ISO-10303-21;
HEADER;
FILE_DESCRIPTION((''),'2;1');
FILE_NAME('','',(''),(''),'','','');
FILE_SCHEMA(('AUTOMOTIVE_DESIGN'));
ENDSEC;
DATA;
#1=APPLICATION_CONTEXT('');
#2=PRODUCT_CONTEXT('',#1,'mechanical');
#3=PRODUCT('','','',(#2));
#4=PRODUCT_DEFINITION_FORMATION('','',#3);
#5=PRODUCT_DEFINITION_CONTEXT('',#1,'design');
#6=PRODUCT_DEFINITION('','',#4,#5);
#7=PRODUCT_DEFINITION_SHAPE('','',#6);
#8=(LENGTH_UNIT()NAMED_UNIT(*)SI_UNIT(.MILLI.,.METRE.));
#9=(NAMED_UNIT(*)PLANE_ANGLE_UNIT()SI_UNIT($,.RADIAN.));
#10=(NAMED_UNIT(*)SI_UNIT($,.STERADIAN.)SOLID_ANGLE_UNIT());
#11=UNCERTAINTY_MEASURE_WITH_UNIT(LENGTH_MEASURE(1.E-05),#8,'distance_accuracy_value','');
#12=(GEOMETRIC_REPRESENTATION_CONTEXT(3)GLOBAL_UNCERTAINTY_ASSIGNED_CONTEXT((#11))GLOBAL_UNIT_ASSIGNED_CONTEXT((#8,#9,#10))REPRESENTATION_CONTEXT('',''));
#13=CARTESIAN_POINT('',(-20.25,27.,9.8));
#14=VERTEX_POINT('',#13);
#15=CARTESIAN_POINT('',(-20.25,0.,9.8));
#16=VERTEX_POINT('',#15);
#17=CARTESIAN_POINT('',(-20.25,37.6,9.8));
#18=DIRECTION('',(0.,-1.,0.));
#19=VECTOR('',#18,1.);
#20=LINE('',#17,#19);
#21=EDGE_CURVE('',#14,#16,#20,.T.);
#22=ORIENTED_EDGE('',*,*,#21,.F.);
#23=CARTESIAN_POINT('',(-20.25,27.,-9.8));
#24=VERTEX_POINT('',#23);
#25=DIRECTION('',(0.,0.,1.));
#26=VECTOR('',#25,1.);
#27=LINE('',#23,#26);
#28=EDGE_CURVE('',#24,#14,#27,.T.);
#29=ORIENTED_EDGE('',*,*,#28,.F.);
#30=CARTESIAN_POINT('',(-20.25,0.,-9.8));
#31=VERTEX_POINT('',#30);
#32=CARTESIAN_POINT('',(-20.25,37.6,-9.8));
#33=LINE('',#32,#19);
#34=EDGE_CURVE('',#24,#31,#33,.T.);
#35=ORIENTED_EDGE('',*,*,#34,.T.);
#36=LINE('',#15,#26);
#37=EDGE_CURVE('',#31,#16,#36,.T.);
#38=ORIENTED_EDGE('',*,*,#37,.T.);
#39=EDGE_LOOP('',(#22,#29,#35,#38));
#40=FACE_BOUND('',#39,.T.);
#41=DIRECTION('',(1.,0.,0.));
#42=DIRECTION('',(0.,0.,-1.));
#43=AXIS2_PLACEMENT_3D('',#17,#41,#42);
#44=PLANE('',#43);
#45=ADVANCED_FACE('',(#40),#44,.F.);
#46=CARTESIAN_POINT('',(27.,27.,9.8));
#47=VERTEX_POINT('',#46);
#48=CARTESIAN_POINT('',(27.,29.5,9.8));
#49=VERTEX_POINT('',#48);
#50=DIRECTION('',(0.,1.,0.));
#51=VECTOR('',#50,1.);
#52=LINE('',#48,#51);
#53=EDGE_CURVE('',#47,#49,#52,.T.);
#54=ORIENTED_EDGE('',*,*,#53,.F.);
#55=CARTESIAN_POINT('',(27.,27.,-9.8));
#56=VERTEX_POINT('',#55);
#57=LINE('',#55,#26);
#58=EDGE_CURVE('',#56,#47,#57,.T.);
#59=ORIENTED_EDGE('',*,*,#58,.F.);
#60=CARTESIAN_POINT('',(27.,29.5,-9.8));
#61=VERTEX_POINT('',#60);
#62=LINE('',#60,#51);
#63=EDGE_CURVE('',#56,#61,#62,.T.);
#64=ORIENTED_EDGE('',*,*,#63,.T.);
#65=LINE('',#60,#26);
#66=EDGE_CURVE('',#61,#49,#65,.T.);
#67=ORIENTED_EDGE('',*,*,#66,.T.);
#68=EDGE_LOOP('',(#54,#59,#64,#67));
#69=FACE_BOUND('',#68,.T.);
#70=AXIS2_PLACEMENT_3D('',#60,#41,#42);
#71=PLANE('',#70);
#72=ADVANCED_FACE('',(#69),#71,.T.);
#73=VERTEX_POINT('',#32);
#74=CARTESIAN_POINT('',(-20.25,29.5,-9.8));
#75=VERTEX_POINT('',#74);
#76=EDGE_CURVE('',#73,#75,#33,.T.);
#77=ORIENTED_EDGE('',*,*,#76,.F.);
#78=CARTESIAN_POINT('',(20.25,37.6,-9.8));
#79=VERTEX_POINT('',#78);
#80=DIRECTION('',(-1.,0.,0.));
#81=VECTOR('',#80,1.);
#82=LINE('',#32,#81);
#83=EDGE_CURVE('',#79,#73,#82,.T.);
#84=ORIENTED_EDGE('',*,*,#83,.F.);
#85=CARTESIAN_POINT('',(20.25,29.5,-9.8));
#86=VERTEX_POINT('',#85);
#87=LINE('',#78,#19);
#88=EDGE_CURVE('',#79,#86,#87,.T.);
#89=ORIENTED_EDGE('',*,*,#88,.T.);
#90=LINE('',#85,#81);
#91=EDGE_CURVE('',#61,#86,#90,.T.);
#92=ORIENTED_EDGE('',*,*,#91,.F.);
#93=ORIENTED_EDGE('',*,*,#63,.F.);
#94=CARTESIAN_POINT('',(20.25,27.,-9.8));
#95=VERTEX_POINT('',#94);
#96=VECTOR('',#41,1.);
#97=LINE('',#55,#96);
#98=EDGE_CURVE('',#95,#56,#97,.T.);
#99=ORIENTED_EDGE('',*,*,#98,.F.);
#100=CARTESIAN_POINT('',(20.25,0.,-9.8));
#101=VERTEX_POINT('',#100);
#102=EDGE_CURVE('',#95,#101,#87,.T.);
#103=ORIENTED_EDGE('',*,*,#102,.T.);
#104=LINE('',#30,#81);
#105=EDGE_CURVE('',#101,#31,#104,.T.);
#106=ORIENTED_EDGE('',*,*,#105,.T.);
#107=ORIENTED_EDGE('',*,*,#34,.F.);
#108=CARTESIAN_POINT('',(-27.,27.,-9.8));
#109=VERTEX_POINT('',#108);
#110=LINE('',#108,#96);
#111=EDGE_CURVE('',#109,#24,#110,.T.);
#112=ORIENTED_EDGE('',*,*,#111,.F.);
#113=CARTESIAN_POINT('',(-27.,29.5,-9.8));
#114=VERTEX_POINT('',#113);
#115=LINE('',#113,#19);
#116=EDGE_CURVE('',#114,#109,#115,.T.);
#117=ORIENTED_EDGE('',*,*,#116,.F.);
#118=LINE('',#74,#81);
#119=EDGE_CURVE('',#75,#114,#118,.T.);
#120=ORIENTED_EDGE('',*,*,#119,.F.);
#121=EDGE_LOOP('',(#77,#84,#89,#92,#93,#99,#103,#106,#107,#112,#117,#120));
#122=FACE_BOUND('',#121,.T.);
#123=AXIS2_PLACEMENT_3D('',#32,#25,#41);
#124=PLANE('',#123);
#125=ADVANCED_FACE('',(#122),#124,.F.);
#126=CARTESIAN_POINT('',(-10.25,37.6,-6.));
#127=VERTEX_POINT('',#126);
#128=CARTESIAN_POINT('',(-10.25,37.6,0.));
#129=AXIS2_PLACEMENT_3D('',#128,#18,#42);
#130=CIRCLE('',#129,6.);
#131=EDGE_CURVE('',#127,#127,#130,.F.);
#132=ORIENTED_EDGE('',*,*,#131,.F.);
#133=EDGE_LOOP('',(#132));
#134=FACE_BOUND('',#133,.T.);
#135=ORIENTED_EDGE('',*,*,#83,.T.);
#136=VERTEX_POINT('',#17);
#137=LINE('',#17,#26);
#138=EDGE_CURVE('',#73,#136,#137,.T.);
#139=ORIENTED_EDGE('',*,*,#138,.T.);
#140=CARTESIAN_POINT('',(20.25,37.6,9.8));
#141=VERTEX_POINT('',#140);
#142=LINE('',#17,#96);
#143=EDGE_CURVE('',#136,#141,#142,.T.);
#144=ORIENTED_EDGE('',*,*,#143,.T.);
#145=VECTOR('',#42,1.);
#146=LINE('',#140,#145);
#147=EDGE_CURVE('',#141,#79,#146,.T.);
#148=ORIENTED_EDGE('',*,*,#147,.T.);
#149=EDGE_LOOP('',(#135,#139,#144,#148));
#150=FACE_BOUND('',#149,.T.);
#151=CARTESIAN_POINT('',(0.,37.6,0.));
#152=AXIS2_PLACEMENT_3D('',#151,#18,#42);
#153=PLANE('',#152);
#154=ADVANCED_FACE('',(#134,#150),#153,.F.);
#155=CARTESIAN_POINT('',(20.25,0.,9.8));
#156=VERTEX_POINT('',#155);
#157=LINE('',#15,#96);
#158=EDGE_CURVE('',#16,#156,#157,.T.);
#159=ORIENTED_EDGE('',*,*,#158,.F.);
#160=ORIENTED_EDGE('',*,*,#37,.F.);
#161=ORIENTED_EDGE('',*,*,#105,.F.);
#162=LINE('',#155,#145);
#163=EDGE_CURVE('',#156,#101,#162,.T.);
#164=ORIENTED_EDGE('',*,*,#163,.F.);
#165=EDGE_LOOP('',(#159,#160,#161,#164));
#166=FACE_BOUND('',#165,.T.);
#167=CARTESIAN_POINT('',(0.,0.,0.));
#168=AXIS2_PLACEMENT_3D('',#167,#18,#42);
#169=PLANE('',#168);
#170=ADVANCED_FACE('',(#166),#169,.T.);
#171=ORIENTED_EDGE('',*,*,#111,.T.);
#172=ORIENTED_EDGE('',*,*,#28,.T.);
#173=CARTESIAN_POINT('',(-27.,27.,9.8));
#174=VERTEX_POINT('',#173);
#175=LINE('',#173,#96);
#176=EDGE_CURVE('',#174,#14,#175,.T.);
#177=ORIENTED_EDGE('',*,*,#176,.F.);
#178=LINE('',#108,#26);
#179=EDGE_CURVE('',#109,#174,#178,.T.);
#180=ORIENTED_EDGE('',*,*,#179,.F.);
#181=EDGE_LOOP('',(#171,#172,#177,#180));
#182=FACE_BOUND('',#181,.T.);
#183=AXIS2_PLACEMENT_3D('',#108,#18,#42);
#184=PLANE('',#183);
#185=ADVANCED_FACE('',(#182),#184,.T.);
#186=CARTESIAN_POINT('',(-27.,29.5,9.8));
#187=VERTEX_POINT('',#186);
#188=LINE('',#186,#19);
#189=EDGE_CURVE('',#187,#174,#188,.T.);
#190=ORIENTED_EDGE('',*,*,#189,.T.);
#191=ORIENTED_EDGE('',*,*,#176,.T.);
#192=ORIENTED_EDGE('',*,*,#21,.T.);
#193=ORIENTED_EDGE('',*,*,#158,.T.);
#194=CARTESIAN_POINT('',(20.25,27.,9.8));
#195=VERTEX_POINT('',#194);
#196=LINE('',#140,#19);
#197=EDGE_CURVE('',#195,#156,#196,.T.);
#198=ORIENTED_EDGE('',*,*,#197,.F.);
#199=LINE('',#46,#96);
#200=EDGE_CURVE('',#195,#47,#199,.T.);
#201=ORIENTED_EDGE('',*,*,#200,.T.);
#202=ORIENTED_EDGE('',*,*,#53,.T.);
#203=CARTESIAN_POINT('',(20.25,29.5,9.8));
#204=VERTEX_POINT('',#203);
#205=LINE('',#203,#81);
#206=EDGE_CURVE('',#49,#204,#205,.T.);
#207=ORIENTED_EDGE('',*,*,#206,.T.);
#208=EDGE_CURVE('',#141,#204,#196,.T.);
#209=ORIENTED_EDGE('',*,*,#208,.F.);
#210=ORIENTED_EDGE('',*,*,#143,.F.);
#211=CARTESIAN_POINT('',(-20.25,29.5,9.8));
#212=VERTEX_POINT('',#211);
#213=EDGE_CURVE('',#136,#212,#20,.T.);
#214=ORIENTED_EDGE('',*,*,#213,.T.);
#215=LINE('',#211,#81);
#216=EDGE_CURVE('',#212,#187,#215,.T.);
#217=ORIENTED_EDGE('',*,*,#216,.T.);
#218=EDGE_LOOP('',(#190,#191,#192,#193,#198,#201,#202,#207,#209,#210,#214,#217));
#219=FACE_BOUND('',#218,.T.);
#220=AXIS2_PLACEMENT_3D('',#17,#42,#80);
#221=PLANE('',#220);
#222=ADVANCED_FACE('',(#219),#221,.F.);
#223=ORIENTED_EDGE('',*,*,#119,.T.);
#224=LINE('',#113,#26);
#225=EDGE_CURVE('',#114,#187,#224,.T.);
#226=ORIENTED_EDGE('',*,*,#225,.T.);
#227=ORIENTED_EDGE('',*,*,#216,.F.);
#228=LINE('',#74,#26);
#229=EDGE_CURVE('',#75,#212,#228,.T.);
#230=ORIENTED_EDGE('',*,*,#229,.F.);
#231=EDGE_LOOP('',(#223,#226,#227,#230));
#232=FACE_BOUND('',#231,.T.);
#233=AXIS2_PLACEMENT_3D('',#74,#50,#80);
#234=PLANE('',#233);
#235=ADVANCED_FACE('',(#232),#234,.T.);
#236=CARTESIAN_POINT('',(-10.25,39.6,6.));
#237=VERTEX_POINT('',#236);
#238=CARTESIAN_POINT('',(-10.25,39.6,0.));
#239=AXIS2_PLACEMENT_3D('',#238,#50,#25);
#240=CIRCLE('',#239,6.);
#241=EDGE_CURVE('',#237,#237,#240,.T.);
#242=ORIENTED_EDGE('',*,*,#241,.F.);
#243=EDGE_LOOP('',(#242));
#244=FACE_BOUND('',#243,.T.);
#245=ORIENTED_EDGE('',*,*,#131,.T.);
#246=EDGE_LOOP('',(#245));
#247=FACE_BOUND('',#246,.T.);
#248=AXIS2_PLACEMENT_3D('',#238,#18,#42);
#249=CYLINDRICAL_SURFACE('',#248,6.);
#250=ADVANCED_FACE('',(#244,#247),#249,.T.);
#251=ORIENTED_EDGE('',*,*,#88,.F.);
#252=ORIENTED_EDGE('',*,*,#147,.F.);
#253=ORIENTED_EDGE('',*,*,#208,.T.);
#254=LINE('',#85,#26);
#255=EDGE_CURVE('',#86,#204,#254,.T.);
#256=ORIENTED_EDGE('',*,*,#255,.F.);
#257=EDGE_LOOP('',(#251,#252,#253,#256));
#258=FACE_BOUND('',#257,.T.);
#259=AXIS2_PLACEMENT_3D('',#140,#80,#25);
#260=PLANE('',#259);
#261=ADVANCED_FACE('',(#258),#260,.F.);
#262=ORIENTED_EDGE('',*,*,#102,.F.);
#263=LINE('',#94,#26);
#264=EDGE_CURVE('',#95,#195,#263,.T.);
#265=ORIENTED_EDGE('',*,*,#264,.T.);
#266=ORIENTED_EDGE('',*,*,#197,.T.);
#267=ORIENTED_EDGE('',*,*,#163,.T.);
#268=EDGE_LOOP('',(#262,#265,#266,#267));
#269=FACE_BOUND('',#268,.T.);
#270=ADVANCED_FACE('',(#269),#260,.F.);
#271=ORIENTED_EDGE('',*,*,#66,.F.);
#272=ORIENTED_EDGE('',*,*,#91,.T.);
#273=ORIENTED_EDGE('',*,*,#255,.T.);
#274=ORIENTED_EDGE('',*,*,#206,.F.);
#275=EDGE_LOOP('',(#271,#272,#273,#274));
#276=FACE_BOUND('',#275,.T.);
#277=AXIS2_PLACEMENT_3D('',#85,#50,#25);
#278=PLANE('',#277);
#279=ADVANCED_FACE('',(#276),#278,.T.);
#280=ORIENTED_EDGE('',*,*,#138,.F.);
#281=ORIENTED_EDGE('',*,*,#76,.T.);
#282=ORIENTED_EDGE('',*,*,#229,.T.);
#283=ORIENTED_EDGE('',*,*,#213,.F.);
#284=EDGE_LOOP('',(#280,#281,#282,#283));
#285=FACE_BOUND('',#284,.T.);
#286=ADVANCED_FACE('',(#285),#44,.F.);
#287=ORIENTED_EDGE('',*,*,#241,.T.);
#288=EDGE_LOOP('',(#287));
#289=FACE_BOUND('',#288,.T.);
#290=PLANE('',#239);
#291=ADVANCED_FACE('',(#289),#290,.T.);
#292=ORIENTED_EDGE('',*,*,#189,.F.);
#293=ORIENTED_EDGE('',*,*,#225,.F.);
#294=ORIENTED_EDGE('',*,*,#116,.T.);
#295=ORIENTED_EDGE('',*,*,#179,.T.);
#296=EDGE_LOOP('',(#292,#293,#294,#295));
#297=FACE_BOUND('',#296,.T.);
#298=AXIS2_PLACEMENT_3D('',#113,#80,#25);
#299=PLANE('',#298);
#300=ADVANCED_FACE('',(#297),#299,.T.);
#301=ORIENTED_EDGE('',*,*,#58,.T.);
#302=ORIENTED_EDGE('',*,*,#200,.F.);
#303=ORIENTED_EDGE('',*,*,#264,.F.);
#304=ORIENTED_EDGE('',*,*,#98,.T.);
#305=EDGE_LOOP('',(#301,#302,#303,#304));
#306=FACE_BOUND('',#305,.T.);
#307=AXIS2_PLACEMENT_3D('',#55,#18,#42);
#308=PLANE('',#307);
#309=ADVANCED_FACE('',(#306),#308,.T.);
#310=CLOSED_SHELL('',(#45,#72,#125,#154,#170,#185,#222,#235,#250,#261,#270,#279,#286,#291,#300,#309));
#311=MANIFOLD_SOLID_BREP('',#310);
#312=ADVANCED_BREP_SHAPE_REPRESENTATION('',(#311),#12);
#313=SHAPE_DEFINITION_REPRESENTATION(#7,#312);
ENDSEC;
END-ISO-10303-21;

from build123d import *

# Parameters (mm, degrees)
SKETCH1_W           = 40.5
SKETCH1_H           = 19.6
BOSS_EXTRUDE1_DEPTH = 37.6
SKETCH2_R           = 6
BOSS_EXTRUDE2_DEPTH = 2
SKETCH3_W           = 6.75
SKETCH3_H           = 2.5
BOSS_EXTRUDE3_DEPTH = 19.6


with BuildPart() as part:
    # Sketch1 → Boss-Extrude1 (new body)
    with BuildSketch(Plane(origin=(0, 0, 0), x_dir=(1, 0, 0), z_dir=(0, 1, 0))):
        Rectangle(SKETCH1_W, SKETCH1_H)
    extrude(amount=BOSS_EXTRUDE1_DEPTH)

    # Sketch2 → Boss-Extrude2 (add)
    with BuildSketch(Plane(origin=(0, 37.6, 0), x_dir=(1, 0, 0), z_dir=(0, 1, 0))):
        with Locations(Location((-10.25, 0, 0), (0, 0, 90))):
            Circle(SKETCH2_R)
    extrude(amount=BOSS_EXTRUDE2_DEPTH)

    # Sketch3 → Boss-Extrude3 (add)
    with BuildSketch(Plane.XY.offset(9.8)):
        with Locations((-23.625, 28.25)):
            Rectangle(SKETCH3_W, SKETCH3_H)
        with Locations((23.625, 28.25)):
            Rectangle(SKETCH3_W, SKETCH3_H)
    extrude(amount=-BOSS_EXTRUDE3_DEPTH)


solid = part.part
